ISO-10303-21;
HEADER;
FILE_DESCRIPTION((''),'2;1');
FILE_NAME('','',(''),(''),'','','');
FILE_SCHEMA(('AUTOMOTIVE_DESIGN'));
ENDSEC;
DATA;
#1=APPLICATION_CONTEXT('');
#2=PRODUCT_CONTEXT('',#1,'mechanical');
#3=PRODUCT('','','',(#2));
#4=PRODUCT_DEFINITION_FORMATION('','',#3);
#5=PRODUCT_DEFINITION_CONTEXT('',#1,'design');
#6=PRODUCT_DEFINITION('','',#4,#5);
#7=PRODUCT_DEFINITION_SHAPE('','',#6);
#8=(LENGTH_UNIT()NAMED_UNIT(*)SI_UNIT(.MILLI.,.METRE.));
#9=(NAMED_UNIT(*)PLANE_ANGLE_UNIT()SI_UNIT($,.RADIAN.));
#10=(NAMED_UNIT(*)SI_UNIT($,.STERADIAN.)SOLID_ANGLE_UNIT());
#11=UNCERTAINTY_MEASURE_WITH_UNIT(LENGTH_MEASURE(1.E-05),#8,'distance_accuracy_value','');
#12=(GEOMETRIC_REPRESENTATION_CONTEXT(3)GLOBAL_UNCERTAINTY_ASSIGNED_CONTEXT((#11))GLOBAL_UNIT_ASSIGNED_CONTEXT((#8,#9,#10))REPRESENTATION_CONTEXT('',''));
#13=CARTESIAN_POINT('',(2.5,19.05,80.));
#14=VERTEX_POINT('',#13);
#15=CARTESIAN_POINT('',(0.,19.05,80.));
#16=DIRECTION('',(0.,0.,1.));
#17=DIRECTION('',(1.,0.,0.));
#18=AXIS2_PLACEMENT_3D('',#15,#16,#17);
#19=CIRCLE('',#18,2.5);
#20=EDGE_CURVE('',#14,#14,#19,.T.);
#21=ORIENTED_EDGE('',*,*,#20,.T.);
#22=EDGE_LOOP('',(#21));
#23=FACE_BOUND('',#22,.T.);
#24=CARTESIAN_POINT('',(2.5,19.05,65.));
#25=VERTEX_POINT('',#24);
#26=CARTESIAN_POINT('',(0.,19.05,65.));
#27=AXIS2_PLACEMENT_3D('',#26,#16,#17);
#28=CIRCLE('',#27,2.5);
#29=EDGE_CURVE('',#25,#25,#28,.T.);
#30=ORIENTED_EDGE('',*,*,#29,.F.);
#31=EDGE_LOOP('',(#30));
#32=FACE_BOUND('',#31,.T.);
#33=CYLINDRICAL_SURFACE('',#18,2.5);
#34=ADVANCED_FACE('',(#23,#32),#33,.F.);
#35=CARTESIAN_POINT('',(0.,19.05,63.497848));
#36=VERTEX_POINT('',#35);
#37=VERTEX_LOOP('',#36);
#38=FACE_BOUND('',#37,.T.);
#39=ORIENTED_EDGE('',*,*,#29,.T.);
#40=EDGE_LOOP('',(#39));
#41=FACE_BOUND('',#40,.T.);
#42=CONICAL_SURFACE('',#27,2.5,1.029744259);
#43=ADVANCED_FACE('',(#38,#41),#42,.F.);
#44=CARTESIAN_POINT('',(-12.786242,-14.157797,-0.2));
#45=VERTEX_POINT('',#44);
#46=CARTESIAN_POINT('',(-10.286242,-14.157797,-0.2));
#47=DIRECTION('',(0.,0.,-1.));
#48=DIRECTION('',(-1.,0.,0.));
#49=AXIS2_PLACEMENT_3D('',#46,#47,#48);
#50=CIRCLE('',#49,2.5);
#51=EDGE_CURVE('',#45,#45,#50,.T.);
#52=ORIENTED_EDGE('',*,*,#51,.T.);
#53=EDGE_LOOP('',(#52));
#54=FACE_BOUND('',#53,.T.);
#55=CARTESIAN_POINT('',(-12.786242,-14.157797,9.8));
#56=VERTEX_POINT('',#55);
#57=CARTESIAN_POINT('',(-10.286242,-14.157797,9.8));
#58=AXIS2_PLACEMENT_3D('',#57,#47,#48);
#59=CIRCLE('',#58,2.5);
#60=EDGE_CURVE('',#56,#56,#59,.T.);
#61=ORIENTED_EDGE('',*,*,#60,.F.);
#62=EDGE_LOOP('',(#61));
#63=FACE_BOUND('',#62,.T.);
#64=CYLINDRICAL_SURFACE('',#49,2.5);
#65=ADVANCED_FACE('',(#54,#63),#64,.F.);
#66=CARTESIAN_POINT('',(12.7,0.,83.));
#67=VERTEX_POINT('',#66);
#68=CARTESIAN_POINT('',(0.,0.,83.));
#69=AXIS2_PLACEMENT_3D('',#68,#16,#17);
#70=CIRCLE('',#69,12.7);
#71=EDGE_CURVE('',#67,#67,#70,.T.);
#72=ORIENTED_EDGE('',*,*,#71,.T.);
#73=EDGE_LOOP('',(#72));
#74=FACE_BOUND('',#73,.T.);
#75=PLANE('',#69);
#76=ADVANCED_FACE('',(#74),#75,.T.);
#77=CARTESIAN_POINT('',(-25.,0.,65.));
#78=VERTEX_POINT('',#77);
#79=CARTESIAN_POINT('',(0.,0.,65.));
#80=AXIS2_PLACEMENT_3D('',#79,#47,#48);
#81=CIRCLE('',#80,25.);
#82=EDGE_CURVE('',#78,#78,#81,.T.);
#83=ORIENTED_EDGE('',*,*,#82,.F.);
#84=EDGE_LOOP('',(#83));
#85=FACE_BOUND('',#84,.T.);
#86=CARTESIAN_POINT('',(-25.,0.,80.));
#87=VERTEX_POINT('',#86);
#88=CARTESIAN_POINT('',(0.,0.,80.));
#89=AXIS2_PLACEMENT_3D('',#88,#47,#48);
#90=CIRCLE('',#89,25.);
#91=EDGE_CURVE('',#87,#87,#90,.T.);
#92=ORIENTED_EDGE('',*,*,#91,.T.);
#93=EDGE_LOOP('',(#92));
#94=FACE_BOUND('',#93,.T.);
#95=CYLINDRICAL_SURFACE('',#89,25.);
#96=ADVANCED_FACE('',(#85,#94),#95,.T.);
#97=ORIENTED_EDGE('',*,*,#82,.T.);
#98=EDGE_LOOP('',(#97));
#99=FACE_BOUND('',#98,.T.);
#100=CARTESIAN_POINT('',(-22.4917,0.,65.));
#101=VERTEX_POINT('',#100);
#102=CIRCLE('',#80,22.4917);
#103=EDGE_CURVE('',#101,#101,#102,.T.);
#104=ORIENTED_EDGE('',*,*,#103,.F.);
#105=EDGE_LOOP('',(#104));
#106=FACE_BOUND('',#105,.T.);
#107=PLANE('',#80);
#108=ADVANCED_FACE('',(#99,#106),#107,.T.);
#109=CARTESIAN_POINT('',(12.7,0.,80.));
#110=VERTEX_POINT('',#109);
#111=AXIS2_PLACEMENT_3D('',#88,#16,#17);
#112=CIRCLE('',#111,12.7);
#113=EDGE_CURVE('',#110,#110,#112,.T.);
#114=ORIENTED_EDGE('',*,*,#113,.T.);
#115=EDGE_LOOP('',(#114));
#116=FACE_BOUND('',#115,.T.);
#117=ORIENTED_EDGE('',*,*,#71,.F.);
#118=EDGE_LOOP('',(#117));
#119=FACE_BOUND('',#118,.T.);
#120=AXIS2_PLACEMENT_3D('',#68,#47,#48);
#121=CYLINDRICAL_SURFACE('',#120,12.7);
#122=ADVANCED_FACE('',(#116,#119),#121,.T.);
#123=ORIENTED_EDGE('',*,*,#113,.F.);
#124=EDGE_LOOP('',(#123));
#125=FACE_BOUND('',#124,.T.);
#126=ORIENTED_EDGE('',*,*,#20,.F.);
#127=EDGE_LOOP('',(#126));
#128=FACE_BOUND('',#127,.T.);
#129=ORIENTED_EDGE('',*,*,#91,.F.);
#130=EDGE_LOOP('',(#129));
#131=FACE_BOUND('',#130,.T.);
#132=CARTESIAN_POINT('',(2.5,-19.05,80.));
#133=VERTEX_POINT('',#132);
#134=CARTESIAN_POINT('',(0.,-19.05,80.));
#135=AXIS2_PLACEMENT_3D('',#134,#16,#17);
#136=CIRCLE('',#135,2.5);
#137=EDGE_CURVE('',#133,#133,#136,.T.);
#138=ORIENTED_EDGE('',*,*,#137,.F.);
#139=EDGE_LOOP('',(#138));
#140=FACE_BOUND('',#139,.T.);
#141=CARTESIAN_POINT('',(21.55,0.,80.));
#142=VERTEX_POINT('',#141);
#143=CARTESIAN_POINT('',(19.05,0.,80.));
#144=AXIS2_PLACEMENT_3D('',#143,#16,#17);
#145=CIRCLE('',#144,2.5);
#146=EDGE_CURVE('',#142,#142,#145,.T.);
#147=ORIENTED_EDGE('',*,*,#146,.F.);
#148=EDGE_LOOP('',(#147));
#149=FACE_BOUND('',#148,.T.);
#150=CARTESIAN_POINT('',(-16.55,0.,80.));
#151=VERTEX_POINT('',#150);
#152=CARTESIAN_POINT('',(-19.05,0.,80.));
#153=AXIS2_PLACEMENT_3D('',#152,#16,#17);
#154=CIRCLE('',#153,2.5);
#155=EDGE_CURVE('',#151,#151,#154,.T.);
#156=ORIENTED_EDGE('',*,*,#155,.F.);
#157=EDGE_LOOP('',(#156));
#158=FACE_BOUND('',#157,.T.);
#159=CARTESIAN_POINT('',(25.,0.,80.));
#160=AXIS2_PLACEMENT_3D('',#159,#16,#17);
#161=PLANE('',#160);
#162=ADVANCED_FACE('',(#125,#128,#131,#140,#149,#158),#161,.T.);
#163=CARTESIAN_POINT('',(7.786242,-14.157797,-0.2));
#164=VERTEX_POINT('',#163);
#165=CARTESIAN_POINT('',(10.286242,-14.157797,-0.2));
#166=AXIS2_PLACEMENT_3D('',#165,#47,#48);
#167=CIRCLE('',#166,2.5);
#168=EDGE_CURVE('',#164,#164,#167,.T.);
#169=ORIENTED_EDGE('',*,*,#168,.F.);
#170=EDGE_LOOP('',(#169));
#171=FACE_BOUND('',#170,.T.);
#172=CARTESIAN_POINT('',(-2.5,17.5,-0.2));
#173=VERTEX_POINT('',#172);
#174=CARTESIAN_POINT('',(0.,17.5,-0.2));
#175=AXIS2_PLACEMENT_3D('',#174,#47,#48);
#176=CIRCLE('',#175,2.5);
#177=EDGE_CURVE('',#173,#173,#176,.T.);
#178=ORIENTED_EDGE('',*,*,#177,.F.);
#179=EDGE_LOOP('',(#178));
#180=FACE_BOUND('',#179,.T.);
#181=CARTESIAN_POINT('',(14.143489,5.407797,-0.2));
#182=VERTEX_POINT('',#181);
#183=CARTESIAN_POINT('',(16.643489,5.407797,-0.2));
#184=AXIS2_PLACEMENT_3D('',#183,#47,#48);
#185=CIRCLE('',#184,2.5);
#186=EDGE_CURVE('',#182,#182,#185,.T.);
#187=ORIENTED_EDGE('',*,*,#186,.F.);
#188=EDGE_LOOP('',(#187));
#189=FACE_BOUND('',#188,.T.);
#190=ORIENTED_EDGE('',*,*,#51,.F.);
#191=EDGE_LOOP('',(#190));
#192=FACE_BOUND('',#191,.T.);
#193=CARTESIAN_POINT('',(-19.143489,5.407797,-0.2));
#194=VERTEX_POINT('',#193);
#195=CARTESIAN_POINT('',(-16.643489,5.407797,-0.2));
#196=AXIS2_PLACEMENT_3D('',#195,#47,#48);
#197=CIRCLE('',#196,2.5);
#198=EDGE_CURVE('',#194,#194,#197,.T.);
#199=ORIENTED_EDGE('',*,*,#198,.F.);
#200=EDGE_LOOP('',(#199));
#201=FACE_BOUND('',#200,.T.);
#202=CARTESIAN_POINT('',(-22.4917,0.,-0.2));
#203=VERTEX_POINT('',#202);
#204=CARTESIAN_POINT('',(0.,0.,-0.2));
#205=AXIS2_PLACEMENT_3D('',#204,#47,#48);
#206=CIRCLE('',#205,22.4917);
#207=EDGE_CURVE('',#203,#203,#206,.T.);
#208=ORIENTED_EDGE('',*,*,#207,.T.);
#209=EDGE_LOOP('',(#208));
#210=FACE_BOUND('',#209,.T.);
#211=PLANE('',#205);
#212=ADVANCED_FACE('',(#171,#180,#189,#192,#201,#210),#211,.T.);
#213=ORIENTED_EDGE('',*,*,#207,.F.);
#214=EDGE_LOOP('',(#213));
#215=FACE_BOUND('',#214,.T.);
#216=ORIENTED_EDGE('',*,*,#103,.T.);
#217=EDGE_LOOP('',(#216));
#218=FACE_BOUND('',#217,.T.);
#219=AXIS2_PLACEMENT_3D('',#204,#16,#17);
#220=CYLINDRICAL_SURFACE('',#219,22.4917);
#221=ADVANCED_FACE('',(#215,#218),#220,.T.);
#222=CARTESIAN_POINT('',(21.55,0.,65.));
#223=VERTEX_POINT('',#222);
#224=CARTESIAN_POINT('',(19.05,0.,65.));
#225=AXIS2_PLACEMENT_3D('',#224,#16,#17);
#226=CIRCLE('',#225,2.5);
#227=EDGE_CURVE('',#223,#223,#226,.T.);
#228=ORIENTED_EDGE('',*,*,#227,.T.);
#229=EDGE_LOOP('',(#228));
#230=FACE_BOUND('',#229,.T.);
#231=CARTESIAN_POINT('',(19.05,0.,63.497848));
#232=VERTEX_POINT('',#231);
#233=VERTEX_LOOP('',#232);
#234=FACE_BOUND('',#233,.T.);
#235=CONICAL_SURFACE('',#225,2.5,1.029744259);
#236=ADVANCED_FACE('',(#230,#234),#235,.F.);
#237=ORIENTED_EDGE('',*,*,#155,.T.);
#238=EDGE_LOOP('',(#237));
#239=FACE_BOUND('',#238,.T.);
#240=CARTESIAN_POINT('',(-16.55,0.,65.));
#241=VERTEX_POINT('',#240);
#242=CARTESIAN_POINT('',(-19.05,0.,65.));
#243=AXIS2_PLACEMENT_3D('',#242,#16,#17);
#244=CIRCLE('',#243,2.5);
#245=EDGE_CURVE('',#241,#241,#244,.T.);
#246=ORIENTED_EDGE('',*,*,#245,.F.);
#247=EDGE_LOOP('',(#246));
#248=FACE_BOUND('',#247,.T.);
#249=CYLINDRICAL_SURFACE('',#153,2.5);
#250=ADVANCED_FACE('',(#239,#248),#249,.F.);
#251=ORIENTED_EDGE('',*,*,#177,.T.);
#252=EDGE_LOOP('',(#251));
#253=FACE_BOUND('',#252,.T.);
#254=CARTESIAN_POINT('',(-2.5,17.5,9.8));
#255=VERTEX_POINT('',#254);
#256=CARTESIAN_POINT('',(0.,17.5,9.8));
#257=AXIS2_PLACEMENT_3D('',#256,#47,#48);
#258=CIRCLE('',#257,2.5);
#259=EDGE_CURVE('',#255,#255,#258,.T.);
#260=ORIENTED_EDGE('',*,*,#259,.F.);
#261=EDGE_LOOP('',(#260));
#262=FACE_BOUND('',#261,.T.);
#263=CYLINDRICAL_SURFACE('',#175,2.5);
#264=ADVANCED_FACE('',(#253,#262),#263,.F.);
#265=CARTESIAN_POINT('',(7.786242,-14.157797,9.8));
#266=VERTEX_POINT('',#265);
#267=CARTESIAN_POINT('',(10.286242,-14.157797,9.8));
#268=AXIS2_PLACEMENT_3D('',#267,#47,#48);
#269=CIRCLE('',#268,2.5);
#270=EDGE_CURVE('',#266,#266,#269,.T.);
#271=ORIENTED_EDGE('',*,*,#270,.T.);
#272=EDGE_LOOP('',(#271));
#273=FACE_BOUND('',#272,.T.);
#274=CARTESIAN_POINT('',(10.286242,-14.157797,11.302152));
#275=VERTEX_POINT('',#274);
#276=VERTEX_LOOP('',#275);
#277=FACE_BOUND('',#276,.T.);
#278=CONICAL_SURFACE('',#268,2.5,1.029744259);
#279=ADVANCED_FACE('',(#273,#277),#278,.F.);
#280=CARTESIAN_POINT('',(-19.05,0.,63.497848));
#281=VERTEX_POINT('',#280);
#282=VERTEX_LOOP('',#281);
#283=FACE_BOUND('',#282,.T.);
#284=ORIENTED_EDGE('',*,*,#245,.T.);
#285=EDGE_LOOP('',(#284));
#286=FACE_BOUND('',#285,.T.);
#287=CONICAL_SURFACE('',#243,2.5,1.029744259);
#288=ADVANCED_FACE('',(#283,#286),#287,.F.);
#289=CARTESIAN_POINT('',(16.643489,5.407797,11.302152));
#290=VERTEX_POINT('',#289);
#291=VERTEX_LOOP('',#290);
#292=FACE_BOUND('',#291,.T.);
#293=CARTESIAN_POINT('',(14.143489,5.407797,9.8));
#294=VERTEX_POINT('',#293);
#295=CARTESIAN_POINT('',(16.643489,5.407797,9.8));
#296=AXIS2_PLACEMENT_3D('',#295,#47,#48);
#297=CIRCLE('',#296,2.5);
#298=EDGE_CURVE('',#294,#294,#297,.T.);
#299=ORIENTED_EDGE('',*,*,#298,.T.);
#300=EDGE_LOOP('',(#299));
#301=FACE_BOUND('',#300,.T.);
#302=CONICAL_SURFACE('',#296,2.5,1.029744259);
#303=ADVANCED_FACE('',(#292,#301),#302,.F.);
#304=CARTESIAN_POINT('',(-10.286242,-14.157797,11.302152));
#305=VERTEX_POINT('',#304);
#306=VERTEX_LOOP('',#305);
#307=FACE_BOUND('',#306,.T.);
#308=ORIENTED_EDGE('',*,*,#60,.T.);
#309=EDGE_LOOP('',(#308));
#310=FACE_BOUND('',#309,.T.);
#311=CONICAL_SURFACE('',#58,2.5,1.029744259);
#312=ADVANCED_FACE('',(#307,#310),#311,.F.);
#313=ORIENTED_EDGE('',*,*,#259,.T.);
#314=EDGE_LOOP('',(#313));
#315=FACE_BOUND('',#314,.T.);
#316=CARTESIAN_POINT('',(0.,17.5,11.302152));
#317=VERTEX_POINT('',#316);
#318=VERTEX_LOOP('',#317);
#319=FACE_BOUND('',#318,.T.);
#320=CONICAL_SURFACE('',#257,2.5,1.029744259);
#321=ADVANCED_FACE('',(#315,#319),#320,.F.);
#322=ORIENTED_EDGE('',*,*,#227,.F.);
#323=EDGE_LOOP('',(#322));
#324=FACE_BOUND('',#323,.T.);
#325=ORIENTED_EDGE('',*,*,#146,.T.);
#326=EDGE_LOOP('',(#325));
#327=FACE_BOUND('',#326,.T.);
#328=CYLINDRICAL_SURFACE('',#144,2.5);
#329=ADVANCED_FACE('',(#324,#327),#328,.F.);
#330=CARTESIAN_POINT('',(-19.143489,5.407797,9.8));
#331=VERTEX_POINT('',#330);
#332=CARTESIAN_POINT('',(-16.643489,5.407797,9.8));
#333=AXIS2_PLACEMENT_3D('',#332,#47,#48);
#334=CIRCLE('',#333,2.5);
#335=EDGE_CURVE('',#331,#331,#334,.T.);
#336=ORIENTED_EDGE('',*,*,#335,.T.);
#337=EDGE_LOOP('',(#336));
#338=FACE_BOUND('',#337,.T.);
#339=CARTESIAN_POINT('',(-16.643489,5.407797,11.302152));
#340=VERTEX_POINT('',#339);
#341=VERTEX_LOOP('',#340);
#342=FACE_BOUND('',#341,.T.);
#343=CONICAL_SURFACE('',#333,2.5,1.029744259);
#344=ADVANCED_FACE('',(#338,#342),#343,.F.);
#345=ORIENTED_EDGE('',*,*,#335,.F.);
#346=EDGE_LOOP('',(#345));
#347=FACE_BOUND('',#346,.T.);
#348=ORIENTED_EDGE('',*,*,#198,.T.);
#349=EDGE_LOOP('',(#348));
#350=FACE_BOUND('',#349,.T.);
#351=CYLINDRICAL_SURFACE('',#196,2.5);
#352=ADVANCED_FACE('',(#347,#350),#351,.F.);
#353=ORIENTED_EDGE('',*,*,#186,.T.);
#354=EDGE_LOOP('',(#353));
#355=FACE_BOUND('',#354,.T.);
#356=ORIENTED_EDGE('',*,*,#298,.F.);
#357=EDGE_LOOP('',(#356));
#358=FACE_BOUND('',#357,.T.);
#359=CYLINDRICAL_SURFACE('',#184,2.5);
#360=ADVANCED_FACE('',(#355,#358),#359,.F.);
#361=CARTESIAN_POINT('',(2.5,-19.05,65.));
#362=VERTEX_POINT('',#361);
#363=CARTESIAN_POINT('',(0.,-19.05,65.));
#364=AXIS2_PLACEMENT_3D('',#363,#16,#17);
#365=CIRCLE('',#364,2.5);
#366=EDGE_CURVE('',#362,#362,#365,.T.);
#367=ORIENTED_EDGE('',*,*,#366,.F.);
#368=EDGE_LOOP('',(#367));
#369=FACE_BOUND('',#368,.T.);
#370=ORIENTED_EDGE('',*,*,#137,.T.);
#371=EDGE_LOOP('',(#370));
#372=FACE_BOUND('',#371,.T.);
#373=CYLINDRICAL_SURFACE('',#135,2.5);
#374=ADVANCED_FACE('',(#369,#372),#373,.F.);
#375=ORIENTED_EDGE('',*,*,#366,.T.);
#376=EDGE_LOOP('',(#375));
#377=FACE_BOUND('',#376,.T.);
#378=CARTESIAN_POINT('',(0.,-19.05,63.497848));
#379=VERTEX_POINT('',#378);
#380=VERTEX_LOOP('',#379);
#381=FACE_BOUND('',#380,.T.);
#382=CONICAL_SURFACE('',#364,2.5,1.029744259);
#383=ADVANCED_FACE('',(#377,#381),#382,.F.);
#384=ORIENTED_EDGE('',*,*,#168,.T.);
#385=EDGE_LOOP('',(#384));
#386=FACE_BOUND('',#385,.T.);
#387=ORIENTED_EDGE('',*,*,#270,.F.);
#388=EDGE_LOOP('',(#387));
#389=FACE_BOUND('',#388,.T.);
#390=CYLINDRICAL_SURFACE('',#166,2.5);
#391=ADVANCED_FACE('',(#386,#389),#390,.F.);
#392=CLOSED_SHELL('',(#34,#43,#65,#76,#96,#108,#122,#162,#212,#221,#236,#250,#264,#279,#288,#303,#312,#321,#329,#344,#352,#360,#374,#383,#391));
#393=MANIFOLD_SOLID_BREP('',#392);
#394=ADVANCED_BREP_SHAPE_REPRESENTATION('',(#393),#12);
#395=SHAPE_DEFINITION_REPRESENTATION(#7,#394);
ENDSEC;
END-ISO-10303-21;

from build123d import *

# Parameters (mm, degrees)
SKETCH1_W                 = 25
SKETCH1_H                 = 15
SKETCH2_R                 = 12.7
BOSS_EXTRUDE1_DEPTH       = 3
SKETCH3_R                 = 22.4917
BOSS_EXTRUDE2_DEPTH       = 65.2
M6X1_0_TAPPED_HOLE1_D     = 5
M6X1_0_TAPPED_HOLE1_DEPTH = 10
M6X1_0_TAPPED_HOLE1_TIP   = 1.502151548
M6X1_0_TAPPED_HOLE2_D     = 5
M6X1_0_TAPPED_HOLE2_DEPTH = 15
M6X1_0_TAPPED_HOLE2_TIP   = 1.502151548


with BuildPart() as part:
    # Sketch1 → Revolve1 (revolve)
    with BuildSketch(Plane.XZ, mode=Mode.PRIVATE) as revolve1_sk:
        with Locations((12.5, 72.5)):
            Rectangle(SKETCH1_W, SKETCH1_H)
    revolve(revolve1_sk.sketch.rotate(Axis((0, 0, 80), (0, 0, -1)), 180), axis=Axis((0, 0, 80), (0, 0, -1)))

    # Sketch2 → Boss-Extrude1 (add)
    with BuildSketch(Plane.XY.offset(80)):
        Circle(SKETCH2_R)
    extrude(amount=BOSS_EXTRUDE1_DEPTH)

    # Sketch3 → Boss-Extrude2 (add)
    with BuildSketch(Plane(origin=(0, 0, 65), x_dir=(-1, 0, 0), z_dir=(0, 0, -1))):
        Circle(SKETCH3_R)
    extrude(amount=BOSS_EXTRUDE2_DEPTH)

    # M6x1.0 Tapped Hole1
    with Locations(Plane(origin=(0, 0, -0.2), x_dir=(-1, 0, 0), z_dir=(0, 0, -1))):
        with Locations((0, 17.5), (16.643489035, 5.407797402), (10.286241915, -14.157797402), (-10.286241915, -14.157797402), (-16.643489035, 5.407797402)):
            Hole(M6X1_0_TAPPED_HOLE1_D / 2, depth=M6X1_0_TAPPED_HOLE1_DEPTH)
            with Locations((0, 0, -(M6X1_0_TAPPED_HOLE1_DEPTH + M6X1_0_TAPPED_HOLE1_TIP / 2))):  # 118° drill point
                Cone(0, M6X1_0_TAPPED_HOLE1_D / 2, M6X1_0_TAPPED_HOLE1_TIP, mode=Mode.SUBTRACT)

    # M6x1.0 Tapped Hole2
    with Locations(Plane.XY.offset(80)):
        with Locations((-19.05, 0), (0, -19.05), (19.05, 0), (0, 19.05)):
            Hole(M6X1_0_TAPPED_HOLE2_D / 2, depth=M6X1_0_TAPPED_HOLE2_DEPTH)
            with Locations((0, 0, -(M6X1_0_TAPPED_HOLE2_DEPTH + M6X1_0_TAPPED_HOLE2_TIP / 2))):  # 118° drill point
                Cone(0, M6X1_0_TAPPED_HOLE2_D / 2, M6X1_0_TAPPED_HOLE2_TIP, mode=Mode.SUBTRACT)


solid = part.part
